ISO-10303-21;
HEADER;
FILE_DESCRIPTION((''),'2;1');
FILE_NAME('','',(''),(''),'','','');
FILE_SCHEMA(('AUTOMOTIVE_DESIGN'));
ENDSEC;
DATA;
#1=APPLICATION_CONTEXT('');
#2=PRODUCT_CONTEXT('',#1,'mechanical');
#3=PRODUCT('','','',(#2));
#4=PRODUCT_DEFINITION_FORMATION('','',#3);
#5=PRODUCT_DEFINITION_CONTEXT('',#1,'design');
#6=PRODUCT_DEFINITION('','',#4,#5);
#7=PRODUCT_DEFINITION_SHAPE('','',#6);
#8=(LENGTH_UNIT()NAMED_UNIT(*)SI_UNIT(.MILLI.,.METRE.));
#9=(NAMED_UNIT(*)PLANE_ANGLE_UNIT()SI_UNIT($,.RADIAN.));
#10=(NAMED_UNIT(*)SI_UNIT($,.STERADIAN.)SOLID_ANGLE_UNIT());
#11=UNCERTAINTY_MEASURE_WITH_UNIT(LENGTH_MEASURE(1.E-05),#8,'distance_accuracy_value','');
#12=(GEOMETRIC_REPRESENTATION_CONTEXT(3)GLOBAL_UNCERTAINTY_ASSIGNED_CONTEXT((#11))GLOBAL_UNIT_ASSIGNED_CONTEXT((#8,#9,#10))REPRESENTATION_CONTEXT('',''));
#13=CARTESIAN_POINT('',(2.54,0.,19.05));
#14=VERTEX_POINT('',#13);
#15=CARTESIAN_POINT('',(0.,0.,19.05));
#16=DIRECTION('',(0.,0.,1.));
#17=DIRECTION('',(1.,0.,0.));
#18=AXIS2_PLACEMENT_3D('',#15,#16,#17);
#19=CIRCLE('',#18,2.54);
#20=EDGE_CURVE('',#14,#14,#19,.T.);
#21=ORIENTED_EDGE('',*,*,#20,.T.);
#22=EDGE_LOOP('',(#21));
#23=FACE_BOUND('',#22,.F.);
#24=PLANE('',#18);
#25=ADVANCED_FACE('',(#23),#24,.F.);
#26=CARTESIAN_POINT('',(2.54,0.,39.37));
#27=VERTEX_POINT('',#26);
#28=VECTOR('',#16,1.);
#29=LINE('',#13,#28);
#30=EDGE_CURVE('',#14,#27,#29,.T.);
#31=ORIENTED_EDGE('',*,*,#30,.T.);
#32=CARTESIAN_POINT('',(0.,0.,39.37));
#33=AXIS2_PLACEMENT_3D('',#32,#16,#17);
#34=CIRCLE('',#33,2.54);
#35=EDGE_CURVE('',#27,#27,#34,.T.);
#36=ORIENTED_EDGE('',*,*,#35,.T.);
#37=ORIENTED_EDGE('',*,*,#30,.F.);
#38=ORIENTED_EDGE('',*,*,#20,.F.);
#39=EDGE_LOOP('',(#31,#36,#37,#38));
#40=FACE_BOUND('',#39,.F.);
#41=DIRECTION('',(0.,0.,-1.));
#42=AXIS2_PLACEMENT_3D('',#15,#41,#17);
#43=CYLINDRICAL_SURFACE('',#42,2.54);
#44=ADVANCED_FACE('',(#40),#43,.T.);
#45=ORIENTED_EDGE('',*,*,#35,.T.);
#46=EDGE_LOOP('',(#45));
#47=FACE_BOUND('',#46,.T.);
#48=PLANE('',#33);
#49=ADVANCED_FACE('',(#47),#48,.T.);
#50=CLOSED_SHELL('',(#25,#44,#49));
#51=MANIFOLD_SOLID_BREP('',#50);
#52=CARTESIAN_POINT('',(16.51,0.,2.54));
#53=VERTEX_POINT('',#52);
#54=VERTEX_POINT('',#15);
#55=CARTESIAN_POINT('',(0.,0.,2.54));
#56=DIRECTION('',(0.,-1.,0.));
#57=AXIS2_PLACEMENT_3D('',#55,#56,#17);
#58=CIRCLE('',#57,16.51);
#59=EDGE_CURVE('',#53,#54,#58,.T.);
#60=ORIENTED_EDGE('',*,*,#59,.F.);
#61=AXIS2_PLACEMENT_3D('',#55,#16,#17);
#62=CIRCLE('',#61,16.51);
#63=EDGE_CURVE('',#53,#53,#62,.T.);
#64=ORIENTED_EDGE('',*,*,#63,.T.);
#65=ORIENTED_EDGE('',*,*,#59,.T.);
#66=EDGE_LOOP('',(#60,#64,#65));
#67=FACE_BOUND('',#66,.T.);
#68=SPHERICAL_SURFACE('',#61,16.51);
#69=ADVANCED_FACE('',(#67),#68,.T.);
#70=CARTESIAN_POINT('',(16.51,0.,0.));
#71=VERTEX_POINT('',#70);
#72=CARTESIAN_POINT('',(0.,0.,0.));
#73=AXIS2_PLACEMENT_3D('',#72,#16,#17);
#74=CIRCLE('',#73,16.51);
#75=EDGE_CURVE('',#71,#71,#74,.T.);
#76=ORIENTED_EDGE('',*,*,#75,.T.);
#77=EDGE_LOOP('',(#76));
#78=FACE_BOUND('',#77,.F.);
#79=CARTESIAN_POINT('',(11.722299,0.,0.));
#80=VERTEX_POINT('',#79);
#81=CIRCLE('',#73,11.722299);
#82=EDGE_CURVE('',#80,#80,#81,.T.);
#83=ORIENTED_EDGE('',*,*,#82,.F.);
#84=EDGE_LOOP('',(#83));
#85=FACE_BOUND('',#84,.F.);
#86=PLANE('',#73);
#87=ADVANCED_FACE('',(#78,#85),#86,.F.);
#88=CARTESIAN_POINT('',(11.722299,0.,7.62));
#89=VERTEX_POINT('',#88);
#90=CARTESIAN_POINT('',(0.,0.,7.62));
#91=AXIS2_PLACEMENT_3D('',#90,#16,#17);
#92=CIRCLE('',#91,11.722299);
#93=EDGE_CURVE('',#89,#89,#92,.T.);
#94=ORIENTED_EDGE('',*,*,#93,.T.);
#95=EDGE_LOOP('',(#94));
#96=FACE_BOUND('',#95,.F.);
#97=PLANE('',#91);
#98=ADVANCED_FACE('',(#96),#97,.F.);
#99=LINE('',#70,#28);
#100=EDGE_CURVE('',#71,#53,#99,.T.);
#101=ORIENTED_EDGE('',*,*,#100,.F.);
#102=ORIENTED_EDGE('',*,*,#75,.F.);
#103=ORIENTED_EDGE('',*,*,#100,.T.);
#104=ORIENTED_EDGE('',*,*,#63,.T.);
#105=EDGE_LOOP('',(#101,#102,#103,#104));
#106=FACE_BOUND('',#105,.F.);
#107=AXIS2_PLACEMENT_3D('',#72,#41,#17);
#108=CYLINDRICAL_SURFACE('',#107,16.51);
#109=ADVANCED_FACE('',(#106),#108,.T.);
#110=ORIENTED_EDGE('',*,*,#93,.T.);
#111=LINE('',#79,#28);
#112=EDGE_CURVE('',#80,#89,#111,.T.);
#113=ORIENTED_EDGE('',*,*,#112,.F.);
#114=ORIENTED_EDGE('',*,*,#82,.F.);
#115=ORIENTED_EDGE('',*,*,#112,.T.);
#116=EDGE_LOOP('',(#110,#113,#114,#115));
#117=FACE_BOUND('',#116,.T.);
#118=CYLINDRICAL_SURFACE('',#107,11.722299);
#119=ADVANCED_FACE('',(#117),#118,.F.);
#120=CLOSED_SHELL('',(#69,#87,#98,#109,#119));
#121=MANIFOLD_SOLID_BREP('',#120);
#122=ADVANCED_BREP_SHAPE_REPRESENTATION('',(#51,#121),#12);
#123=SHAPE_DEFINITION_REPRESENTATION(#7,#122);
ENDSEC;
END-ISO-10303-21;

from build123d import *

# Parameters (mm, degrees)
F0_R     = 16.51
F1_DEPTH = 19.05
F2_R     = 16.51
F3_R     = 11.722299
F4_DEPTH = 7.62
F6_R     = 2.54
F7_DEPTH = 20.32


with BuildPart() as f1:
    # F0 (on Top) → F1 (new body)
    with BuildSketch(Plane.XY):
        Circle(F0_R)
    extrude(amount=F1_DEPTH)

    # F2
    f2_edges = [f1.edges().sort_by_distance(p)[0] for p in [
        (-16.51, 0, 19.05),
    ]]
    fillet(f2_edges, radius=F2_R)

    # F3 (on Top) → F4 (cut)
    with BuildSketch(Plane.XY):
        Circle(F3_R)
    extrude(amount=F4_DEPTH, mode=Mode.SUBTRACT)

    # F6 (on offset) → F7 (join)
    with BuildSketch(Plane.XY.offset(19.05)):
        Circle(F6_R)
    extrude(amount=F7_DEPTH)


solid = f1.part
